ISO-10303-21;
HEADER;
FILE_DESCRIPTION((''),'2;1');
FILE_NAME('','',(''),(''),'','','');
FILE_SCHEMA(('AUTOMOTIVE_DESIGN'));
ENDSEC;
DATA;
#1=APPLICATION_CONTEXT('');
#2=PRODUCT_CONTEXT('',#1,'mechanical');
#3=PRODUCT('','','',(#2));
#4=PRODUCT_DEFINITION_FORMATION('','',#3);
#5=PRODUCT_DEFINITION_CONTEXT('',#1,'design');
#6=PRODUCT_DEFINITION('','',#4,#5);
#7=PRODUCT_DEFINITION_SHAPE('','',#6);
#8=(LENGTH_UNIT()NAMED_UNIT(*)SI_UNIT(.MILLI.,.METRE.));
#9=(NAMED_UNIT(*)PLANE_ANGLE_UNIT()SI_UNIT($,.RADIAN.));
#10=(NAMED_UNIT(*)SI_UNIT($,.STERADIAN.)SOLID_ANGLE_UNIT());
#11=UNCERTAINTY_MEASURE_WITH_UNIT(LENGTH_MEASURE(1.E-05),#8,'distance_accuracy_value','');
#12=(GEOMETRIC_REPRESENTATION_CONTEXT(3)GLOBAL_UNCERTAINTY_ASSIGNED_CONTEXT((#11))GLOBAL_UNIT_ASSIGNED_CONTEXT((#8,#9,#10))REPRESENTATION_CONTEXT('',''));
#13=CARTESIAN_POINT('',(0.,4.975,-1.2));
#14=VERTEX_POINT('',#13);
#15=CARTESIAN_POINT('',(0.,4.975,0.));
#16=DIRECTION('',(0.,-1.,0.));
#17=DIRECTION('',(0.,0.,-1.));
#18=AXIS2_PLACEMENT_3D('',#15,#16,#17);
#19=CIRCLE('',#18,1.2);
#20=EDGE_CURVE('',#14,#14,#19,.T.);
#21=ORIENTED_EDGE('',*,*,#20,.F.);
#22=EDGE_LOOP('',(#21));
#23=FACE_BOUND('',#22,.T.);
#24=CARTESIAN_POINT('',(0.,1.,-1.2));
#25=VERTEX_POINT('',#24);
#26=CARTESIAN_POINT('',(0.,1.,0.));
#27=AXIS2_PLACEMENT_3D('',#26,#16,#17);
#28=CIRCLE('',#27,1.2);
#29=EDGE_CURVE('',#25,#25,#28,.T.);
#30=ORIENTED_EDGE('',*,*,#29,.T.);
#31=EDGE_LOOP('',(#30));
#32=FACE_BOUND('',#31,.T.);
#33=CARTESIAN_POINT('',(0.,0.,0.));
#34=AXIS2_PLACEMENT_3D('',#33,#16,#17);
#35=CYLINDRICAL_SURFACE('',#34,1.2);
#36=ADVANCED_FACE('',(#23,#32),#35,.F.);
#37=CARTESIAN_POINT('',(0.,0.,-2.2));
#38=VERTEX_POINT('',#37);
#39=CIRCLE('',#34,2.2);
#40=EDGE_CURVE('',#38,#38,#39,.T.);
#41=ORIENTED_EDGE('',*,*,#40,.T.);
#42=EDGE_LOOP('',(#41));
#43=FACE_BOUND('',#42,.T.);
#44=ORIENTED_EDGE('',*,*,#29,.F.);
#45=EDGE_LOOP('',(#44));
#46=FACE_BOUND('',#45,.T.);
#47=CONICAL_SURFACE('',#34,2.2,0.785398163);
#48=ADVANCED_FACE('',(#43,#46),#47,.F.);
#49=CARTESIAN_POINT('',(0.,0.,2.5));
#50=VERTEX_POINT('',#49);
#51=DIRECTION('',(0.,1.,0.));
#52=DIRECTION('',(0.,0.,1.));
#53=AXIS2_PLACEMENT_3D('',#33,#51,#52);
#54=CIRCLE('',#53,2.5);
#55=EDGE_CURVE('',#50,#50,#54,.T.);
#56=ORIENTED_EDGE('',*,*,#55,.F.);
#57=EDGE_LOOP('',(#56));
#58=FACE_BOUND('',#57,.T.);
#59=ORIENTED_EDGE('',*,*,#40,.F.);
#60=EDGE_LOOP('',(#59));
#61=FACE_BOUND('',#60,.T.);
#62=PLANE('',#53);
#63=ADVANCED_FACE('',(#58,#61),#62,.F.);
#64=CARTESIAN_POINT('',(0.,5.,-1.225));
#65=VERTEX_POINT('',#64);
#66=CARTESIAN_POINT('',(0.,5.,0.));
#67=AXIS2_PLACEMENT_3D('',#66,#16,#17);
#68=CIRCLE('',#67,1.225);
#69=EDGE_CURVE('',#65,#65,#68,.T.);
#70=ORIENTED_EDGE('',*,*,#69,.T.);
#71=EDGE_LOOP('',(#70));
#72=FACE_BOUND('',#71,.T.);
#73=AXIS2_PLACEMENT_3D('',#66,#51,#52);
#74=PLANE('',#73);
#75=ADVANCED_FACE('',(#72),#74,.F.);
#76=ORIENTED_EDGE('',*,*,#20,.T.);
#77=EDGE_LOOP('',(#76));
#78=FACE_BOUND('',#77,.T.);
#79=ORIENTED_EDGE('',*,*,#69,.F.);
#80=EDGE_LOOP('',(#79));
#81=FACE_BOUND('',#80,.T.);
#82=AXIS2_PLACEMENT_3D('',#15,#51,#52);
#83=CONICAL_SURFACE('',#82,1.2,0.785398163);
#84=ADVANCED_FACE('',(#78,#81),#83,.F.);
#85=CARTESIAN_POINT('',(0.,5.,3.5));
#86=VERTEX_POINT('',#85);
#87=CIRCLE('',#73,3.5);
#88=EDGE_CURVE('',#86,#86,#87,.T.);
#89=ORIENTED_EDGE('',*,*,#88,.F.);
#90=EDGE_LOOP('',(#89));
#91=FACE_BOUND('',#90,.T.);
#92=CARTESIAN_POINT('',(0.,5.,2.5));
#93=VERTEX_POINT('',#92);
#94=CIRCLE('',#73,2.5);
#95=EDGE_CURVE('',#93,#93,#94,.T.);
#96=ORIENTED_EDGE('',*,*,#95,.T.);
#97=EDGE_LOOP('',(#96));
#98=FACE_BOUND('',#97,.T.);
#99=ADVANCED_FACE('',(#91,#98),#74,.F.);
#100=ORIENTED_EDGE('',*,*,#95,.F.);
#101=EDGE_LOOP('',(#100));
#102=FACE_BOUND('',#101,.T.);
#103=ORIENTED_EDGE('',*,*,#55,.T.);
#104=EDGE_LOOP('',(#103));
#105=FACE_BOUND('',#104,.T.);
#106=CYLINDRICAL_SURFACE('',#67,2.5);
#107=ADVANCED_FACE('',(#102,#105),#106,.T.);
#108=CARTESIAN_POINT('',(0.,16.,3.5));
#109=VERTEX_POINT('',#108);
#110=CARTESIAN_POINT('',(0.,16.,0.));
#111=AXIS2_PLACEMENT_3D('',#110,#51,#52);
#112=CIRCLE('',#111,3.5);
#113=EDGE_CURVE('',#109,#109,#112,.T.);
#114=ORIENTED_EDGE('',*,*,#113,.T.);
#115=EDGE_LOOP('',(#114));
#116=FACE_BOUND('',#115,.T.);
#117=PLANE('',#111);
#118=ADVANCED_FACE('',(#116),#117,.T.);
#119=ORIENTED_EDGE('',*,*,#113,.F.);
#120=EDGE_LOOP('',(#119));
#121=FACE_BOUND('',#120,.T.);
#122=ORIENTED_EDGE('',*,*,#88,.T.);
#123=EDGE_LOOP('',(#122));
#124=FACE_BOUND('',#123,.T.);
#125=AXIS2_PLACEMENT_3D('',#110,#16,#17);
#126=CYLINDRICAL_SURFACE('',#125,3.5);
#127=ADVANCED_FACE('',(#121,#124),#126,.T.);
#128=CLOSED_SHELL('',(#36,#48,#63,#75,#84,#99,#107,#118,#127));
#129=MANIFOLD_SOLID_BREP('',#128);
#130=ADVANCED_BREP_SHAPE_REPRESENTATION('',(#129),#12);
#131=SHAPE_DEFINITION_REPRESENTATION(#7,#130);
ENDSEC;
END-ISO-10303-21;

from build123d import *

# Parameters (mm, degrees)
SKETCH1_R           = 2.5
BOSS_EXTRUDE1_DEPTH = 5
SKETCH2_R           = 3.5
BOSS_EXTRUDE2_DEPTH = 11


with BuildPart() as part:
    # Sketch1 → Boss-Extrude1 (new body)
    with BuildSketch(Plane(origin=(0, 0, 0), x_dir=(1, 0, 0), z_dir=(0, 1, 0))):
        with Locations(Location((0, 0, 0), (0, 0, 270))):
            Circle(SKETCH1_R)
    extrude(amount=BOSS_EXTRUDE1_DEPTH)

    # Sketch7 → CSK for M2 Oval Head Machine Screw2 (revolve, cut)
    with BuildSketch(Plane(origin=(0, 0, 0), x_dir=(0, 0, -1), z_dir=(1, 0, 0))):
        Polygon((0, 0), (0, 5), (1.225, 5), (1.2, 4.975), (1.2, 1), (2.2, 0), align=None)
    revolve(axis=Axis((0, -6.35, 0), (0, 1, 0)), mode=Mode.SUBTRACT)

    # Sketch2 → Boss-Extrude2 (add)
    with BuildSketch(Plane(origin=(0, 5, 0), x_dir=(1, 0, 0), z_dir=(0, 1, 0))):
        with Locations(Location((0, 0, 0), (0, 0, 270))):
            Circle(SKETCH2_R)
    extrude(amount=BOSS_EXTRUDE2_DEPTH)


solid = part.part
